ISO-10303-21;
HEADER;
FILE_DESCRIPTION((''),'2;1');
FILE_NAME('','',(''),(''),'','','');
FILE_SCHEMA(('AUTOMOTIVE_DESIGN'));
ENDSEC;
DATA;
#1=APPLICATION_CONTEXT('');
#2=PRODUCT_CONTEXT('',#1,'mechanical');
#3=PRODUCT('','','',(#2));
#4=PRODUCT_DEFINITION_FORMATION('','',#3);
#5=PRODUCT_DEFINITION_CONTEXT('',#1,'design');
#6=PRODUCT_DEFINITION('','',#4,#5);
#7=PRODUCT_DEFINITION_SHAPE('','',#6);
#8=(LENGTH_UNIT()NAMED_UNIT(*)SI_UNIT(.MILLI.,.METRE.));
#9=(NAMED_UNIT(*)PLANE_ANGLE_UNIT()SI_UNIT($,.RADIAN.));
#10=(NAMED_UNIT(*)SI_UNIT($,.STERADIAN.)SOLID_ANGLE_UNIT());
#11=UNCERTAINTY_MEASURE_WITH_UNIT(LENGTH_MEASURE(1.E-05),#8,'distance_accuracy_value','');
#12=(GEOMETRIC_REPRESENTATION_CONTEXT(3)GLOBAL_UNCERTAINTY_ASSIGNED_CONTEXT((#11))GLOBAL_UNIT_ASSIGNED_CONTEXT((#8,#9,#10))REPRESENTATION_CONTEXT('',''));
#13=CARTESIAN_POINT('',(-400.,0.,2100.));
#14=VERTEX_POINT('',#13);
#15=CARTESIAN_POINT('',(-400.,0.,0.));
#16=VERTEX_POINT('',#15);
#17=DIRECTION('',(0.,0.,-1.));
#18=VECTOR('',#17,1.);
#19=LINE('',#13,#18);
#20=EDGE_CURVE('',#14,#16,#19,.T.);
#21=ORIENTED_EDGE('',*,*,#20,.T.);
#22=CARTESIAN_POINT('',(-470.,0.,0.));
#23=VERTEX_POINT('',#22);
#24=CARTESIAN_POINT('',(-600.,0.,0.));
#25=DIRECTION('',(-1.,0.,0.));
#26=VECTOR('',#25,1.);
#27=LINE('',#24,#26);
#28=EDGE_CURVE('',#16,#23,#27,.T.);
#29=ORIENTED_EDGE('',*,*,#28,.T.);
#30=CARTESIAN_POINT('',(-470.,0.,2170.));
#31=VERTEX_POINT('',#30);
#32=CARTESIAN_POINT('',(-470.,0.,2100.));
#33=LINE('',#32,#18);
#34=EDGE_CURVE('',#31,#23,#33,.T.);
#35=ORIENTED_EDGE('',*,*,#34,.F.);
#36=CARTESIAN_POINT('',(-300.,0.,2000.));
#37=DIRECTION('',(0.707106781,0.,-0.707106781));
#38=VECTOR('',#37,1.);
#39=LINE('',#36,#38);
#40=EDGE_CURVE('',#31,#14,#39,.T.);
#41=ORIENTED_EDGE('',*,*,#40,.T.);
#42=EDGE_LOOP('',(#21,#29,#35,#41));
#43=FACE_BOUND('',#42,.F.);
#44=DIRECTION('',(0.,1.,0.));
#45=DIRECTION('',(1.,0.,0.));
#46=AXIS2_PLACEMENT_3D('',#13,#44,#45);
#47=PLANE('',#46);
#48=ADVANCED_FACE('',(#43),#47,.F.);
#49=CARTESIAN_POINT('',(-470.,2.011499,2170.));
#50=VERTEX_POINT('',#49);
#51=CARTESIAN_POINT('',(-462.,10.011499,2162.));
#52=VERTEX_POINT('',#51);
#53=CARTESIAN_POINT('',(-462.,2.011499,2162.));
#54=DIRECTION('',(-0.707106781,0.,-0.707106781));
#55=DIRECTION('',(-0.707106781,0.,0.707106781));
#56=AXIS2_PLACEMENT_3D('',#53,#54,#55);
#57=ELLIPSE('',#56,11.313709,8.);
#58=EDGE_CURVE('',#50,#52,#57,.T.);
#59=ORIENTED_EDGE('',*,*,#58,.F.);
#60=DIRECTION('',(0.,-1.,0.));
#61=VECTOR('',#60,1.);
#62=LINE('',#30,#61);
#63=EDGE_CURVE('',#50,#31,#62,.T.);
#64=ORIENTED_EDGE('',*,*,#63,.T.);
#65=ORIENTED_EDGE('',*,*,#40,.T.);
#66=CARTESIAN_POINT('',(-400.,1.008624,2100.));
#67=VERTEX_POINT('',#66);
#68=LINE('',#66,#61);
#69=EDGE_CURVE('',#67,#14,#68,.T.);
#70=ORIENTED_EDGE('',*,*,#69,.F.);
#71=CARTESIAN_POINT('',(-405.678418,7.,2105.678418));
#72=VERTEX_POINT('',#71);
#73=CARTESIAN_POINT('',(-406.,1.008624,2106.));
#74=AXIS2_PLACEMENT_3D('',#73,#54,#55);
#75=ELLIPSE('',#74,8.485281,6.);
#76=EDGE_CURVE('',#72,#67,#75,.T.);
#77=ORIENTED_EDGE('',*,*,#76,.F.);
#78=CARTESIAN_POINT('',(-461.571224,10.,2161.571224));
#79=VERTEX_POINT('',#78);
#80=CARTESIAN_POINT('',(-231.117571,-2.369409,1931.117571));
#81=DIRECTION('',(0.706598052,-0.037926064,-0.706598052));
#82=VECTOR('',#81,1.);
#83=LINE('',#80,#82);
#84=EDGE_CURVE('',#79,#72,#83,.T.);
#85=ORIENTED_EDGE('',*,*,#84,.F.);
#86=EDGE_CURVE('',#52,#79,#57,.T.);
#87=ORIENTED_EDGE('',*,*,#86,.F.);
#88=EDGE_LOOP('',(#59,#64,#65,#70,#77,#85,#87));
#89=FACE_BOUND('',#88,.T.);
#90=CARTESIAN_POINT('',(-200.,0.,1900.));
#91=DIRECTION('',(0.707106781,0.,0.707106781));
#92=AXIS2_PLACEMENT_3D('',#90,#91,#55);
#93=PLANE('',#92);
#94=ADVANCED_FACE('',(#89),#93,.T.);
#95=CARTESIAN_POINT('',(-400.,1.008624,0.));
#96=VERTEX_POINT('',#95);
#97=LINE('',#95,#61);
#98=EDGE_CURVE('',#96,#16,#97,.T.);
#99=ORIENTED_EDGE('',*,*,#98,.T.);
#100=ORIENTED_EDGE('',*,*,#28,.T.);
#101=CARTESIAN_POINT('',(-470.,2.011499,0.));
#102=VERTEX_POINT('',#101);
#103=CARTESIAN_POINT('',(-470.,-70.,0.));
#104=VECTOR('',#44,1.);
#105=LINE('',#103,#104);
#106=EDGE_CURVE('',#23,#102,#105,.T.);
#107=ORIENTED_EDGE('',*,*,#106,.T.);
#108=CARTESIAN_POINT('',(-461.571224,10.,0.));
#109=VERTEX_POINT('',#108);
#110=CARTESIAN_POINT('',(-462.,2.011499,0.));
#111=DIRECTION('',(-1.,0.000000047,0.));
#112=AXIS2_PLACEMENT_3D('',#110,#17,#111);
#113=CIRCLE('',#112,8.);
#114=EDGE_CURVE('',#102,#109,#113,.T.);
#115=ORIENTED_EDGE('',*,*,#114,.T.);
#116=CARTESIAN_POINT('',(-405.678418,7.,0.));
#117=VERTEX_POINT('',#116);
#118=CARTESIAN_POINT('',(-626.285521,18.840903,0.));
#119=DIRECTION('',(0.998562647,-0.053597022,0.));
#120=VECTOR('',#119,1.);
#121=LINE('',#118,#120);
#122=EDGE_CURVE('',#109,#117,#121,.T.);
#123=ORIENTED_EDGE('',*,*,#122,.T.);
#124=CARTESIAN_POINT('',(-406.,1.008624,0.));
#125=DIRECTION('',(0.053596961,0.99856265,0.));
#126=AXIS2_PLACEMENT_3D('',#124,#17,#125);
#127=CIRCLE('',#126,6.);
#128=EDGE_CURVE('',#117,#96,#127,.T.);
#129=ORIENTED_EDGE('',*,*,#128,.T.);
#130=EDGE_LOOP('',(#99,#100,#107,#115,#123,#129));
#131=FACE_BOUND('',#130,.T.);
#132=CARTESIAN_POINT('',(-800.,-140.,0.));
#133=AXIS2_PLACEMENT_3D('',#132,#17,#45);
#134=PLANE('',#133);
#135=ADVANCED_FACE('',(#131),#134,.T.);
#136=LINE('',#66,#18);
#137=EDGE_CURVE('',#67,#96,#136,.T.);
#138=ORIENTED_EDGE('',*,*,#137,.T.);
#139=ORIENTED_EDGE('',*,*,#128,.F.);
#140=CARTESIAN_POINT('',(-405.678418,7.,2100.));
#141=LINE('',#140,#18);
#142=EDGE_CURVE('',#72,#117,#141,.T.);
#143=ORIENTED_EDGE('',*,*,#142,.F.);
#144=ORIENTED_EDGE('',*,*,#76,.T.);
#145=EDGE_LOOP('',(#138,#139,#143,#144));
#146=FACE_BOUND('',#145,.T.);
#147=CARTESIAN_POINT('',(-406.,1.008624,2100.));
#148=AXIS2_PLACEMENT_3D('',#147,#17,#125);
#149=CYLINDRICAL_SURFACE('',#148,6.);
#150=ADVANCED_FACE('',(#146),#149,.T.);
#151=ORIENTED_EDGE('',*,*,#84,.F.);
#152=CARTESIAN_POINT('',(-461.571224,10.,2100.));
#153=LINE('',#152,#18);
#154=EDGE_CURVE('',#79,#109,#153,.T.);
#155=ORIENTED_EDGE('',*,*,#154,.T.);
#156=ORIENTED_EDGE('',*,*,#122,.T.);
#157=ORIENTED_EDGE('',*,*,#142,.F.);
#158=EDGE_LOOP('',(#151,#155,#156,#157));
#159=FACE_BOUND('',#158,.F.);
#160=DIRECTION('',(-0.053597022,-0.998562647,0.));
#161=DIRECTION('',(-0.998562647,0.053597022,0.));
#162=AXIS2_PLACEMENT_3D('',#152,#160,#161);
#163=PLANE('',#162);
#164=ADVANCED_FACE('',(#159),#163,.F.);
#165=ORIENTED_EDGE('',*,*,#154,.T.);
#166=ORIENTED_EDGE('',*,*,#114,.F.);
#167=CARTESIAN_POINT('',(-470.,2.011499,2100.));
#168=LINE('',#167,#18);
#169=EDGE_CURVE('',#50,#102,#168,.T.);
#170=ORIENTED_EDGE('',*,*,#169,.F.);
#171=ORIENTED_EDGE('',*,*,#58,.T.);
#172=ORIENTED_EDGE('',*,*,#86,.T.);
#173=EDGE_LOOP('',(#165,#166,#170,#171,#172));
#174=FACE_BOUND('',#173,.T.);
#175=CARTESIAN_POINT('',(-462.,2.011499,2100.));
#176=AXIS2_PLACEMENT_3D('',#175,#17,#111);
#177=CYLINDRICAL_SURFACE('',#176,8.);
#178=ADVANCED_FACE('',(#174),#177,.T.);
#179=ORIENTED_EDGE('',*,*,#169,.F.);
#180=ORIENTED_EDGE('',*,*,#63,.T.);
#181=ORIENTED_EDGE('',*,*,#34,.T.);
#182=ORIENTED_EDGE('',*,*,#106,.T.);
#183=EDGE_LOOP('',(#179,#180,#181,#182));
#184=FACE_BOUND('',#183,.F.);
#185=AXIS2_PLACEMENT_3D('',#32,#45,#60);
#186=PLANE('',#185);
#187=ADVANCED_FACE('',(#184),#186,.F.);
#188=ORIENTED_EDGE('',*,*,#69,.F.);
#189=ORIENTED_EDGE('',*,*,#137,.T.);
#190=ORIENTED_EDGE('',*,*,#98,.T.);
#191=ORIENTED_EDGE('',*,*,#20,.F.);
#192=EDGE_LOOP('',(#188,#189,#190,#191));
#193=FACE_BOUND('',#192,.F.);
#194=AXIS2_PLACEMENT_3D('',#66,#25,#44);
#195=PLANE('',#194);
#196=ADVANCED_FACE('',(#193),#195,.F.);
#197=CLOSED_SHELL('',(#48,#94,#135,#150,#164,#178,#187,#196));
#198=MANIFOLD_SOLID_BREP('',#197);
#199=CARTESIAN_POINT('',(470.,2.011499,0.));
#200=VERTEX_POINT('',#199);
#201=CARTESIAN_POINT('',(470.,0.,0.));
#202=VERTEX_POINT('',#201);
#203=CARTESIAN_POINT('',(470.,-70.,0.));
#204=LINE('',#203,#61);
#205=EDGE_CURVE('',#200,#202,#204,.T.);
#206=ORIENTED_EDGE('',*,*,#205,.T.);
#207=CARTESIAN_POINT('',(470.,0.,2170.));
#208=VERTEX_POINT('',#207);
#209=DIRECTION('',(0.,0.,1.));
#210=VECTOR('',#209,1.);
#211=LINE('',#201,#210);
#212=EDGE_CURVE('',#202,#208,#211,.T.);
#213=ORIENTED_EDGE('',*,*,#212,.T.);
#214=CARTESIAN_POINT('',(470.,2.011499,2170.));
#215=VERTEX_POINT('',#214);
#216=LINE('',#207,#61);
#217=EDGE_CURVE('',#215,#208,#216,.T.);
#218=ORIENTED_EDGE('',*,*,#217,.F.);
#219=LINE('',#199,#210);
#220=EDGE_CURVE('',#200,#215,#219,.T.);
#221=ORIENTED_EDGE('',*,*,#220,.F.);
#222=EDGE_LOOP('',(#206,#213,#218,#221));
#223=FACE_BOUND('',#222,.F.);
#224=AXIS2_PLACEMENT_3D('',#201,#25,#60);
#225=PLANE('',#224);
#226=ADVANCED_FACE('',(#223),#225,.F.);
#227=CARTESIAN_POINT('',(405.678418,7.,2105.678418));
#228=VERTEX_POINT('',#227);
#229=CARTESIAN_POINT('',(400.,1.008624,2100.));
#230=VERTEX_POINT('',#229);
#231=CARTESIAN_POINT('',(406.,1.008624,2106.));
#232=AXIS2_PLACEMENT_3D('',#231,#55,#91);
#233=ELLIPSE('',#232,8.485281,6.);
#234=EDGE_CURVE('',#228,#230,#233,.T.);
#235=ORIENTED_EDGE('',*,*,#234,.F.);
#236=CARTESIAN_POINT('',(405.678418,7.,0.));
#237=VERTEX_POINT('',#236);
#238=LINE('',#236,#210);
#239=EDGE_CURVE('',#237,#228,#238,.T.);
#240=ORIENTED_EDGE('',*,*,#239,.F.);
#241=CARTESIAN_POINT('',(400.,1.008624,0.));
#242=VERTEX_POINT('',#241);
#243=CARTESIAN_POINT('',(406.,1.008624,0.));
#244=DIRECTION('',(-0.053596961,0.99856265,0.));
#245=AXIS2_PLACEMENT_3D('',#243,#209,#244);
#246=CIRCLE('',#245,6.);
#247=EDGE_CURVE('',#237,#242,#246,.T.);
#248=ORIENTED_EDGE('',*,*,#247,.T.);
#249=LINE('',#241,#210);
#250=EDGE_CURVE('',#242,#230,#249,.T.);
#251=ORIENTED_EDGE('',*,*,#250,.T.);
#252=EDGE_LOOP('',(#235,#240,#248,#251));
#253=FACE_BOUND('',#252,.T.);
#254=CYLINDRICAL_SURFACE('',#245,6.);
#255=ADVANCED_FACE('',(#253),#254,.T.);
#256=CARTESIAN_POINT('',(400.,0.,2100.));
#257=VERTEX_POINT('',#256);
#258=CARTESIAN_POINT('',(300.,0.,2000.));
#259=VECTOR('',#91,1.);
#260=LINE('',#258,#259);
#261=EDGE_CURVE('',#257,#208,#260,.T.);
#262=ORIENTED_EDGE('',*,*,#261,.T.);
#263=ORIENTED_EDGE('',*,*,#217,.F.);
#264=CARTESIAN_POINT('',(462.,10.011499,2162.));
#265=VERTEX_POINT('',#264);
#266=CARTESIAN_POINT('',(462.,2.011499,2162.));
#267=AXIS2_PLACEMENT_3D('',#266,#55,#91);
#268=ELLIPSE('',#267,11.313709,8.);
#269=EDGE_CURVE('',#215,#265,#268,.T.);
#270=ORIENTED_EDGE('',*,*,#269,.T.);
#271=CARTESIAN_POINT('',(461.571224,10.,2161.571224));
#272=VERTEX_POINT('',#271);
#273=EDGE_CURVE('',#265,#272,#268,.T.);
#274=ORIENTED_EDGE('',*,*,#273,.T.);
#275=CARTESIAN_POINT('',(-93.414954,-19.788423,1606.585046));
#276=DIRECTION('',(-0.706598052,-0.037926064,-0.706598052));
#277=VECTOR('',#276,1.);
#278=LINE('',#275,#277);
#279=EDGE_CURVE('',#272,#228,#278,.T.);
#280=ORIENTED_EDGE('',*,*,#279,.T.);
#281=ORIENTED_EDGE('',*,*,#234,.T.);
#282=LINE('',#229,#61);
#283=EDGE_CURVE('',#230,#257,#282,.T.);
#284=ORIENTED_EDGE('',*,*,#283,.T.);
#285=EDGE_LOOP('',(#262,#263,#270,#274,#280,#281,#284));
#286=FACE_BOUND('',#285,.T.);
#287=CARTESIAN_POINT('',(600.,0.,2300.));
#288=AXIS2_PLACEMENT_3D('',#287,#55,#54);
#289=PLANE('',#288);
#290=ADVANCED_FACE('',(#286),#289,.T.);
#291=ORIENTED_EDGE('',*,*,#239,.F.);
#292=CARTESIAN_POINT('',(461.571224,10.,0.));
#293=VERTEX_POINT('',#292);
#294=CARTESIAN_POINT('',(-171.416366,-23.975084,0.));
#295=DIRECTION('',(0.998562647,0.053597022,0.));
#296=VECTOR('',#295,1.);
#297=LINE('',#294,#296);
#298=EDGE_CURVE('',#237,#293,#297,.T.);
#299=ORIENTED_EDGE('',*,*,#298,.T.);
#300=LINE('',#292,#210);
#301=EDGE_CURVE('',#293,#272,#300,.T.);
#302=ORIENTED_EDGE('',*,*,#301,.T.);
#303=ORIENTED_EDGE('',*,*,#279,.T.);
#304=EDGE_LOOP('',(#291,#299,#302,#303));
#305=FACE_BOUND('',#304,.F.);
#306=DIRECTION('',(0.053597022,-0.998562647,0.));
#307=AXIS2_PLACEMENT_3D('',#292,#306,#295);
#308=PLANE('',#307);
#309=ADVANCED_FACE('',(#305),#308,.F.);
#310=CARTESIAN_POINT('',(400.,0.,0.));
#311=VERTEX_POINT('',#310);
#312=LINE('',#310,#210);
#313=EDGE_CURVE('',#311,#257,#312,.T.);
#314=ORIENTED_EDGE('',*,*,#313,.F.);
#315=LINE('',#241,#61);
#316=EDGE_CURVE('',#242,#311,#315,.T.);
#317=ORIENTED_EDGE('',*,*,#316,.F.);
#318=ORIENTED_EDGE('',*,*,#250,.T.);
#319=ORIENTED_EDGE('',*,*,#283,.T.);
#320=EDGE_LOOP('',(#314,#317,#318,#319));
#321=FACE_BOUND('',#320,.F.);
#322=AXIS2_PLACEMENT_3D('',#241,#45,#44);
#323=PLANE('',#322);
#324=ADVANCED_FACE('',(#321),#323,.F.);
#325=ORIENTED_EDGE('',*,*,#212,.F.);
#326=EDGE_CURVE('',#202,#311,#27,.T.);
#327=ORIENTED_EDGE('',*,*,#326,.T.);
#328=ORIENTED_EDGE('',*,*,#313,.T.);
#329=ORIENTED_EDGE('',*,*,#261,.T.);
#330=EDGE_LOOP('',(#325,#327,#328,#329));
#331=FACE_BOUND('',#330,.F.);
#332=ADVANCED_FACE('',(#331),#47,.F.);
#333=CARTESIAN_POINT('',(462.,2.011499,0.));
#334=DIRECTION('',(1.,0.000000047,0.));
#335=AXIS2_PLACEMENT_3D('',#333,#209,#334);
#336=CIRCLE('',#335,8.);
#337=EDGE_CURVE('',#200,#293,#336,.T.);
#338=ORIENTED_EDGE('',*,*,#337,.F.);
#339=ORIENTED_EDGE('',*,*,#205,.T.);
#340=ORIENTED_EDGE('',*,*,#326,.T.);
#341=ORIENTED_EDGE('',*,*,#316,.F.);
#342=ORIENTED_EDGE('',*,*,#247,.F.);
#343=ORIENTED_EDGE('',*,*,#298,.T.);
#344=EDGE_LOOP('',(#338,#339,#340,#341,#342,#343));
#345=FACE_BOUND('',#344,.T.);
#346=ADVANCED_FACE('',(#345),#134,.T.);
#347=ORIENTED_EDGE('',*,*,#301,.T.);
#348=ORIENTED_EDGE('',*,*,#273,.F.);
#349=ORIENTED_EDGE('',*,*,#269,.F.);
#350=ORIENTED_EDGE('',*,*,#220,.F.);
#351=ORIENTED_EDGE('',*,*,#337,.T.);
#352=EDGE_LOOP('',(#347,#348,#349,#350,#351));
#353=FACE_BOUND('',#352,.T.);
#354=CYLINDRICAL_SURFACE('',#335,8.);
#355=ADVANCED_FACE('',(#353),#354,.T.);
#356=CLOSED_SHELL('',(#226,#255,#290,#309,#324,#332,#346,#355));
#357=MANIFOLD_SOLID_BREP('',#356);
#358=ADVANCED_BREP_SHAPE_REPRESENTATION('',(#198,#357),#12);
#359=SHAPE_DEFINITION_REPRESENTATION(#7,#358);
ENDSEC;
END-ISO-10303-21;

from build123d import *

# Parameters (mm, degrees)
EXTRUDE039434_DEPTH = 500
SKETCH224_W         = 1600
SKETCH224_H         = 400
EXTRUDE039435_DEPTH = 500


with BuildPart() as extrude039434_internal_superior:
    # Sketch223 (on Sketch) → Extrude039434 (new body, symmetric)
    with BuildSketch(Plane.XZ):
        Polygon((-600, 2300), (600, 2300), (200, 1900), (-200, 1900), align=None)
    extrude(amount=EXTRUDE039434_DEPTH, both=True)


with BuildPart() as extrude039435:
    # Sketch224 (on Sketch) → Extrude039435 (new body, symmetric)
    with BuildSketch(Plane.XZ.offset(140)):
        with Locations((0, -200)):
            Rectangle(SKETCH224_W, SKETCH224_H)
    extrude(amount=EXTRUDE039435_DEPTH, both=True)


with BuildPart() as internal_trim_vertical:
    # Sweep012: sweep along a path in Sketch195
    with BuildLine(Plane.XZ) as sweep012_path:
        Line((-400, 2100), (-400, 0))
        Line((-400, 0), (400, 0))
        Line((400, 0), (400, 2100))
        Line((400, 2100), (-400, 2100))
    # Clone2D028 (on Sketch) → Sweep012 (sweep)
    with BuildSketch(Plane.ZY):
        with BuildLine():
            Line((-61.571224, 10), (-5.678418, 7))
            ThreePointArc((-5.678418, 7), (-1.645147, 5.136003), (0, 1.008624))
            Line((0, 1.008624), (0, 0))
            Line((0, 0), (-70, 0))
            Line((-70, 0), (-70, 2.011499))
            ThreePointArc((-70, 2.011499), (-67.503171, 7.81797), (-61.571224, 10))
        make_face()
    sweep(path=sweep012_path.line, is_frenet=True, transition=Transition.RIGHT)

    # Cut073: cut Extrude039435
    add(extrude039435.part, mode=Mode.SUBTRACT)

    # Cut072: cut Extrude039434_Internal_superior_
    add(extrude039434_internal_superior.part, mode=Mode.SUBTRACT)


solid = internal_trim_vertical.part
